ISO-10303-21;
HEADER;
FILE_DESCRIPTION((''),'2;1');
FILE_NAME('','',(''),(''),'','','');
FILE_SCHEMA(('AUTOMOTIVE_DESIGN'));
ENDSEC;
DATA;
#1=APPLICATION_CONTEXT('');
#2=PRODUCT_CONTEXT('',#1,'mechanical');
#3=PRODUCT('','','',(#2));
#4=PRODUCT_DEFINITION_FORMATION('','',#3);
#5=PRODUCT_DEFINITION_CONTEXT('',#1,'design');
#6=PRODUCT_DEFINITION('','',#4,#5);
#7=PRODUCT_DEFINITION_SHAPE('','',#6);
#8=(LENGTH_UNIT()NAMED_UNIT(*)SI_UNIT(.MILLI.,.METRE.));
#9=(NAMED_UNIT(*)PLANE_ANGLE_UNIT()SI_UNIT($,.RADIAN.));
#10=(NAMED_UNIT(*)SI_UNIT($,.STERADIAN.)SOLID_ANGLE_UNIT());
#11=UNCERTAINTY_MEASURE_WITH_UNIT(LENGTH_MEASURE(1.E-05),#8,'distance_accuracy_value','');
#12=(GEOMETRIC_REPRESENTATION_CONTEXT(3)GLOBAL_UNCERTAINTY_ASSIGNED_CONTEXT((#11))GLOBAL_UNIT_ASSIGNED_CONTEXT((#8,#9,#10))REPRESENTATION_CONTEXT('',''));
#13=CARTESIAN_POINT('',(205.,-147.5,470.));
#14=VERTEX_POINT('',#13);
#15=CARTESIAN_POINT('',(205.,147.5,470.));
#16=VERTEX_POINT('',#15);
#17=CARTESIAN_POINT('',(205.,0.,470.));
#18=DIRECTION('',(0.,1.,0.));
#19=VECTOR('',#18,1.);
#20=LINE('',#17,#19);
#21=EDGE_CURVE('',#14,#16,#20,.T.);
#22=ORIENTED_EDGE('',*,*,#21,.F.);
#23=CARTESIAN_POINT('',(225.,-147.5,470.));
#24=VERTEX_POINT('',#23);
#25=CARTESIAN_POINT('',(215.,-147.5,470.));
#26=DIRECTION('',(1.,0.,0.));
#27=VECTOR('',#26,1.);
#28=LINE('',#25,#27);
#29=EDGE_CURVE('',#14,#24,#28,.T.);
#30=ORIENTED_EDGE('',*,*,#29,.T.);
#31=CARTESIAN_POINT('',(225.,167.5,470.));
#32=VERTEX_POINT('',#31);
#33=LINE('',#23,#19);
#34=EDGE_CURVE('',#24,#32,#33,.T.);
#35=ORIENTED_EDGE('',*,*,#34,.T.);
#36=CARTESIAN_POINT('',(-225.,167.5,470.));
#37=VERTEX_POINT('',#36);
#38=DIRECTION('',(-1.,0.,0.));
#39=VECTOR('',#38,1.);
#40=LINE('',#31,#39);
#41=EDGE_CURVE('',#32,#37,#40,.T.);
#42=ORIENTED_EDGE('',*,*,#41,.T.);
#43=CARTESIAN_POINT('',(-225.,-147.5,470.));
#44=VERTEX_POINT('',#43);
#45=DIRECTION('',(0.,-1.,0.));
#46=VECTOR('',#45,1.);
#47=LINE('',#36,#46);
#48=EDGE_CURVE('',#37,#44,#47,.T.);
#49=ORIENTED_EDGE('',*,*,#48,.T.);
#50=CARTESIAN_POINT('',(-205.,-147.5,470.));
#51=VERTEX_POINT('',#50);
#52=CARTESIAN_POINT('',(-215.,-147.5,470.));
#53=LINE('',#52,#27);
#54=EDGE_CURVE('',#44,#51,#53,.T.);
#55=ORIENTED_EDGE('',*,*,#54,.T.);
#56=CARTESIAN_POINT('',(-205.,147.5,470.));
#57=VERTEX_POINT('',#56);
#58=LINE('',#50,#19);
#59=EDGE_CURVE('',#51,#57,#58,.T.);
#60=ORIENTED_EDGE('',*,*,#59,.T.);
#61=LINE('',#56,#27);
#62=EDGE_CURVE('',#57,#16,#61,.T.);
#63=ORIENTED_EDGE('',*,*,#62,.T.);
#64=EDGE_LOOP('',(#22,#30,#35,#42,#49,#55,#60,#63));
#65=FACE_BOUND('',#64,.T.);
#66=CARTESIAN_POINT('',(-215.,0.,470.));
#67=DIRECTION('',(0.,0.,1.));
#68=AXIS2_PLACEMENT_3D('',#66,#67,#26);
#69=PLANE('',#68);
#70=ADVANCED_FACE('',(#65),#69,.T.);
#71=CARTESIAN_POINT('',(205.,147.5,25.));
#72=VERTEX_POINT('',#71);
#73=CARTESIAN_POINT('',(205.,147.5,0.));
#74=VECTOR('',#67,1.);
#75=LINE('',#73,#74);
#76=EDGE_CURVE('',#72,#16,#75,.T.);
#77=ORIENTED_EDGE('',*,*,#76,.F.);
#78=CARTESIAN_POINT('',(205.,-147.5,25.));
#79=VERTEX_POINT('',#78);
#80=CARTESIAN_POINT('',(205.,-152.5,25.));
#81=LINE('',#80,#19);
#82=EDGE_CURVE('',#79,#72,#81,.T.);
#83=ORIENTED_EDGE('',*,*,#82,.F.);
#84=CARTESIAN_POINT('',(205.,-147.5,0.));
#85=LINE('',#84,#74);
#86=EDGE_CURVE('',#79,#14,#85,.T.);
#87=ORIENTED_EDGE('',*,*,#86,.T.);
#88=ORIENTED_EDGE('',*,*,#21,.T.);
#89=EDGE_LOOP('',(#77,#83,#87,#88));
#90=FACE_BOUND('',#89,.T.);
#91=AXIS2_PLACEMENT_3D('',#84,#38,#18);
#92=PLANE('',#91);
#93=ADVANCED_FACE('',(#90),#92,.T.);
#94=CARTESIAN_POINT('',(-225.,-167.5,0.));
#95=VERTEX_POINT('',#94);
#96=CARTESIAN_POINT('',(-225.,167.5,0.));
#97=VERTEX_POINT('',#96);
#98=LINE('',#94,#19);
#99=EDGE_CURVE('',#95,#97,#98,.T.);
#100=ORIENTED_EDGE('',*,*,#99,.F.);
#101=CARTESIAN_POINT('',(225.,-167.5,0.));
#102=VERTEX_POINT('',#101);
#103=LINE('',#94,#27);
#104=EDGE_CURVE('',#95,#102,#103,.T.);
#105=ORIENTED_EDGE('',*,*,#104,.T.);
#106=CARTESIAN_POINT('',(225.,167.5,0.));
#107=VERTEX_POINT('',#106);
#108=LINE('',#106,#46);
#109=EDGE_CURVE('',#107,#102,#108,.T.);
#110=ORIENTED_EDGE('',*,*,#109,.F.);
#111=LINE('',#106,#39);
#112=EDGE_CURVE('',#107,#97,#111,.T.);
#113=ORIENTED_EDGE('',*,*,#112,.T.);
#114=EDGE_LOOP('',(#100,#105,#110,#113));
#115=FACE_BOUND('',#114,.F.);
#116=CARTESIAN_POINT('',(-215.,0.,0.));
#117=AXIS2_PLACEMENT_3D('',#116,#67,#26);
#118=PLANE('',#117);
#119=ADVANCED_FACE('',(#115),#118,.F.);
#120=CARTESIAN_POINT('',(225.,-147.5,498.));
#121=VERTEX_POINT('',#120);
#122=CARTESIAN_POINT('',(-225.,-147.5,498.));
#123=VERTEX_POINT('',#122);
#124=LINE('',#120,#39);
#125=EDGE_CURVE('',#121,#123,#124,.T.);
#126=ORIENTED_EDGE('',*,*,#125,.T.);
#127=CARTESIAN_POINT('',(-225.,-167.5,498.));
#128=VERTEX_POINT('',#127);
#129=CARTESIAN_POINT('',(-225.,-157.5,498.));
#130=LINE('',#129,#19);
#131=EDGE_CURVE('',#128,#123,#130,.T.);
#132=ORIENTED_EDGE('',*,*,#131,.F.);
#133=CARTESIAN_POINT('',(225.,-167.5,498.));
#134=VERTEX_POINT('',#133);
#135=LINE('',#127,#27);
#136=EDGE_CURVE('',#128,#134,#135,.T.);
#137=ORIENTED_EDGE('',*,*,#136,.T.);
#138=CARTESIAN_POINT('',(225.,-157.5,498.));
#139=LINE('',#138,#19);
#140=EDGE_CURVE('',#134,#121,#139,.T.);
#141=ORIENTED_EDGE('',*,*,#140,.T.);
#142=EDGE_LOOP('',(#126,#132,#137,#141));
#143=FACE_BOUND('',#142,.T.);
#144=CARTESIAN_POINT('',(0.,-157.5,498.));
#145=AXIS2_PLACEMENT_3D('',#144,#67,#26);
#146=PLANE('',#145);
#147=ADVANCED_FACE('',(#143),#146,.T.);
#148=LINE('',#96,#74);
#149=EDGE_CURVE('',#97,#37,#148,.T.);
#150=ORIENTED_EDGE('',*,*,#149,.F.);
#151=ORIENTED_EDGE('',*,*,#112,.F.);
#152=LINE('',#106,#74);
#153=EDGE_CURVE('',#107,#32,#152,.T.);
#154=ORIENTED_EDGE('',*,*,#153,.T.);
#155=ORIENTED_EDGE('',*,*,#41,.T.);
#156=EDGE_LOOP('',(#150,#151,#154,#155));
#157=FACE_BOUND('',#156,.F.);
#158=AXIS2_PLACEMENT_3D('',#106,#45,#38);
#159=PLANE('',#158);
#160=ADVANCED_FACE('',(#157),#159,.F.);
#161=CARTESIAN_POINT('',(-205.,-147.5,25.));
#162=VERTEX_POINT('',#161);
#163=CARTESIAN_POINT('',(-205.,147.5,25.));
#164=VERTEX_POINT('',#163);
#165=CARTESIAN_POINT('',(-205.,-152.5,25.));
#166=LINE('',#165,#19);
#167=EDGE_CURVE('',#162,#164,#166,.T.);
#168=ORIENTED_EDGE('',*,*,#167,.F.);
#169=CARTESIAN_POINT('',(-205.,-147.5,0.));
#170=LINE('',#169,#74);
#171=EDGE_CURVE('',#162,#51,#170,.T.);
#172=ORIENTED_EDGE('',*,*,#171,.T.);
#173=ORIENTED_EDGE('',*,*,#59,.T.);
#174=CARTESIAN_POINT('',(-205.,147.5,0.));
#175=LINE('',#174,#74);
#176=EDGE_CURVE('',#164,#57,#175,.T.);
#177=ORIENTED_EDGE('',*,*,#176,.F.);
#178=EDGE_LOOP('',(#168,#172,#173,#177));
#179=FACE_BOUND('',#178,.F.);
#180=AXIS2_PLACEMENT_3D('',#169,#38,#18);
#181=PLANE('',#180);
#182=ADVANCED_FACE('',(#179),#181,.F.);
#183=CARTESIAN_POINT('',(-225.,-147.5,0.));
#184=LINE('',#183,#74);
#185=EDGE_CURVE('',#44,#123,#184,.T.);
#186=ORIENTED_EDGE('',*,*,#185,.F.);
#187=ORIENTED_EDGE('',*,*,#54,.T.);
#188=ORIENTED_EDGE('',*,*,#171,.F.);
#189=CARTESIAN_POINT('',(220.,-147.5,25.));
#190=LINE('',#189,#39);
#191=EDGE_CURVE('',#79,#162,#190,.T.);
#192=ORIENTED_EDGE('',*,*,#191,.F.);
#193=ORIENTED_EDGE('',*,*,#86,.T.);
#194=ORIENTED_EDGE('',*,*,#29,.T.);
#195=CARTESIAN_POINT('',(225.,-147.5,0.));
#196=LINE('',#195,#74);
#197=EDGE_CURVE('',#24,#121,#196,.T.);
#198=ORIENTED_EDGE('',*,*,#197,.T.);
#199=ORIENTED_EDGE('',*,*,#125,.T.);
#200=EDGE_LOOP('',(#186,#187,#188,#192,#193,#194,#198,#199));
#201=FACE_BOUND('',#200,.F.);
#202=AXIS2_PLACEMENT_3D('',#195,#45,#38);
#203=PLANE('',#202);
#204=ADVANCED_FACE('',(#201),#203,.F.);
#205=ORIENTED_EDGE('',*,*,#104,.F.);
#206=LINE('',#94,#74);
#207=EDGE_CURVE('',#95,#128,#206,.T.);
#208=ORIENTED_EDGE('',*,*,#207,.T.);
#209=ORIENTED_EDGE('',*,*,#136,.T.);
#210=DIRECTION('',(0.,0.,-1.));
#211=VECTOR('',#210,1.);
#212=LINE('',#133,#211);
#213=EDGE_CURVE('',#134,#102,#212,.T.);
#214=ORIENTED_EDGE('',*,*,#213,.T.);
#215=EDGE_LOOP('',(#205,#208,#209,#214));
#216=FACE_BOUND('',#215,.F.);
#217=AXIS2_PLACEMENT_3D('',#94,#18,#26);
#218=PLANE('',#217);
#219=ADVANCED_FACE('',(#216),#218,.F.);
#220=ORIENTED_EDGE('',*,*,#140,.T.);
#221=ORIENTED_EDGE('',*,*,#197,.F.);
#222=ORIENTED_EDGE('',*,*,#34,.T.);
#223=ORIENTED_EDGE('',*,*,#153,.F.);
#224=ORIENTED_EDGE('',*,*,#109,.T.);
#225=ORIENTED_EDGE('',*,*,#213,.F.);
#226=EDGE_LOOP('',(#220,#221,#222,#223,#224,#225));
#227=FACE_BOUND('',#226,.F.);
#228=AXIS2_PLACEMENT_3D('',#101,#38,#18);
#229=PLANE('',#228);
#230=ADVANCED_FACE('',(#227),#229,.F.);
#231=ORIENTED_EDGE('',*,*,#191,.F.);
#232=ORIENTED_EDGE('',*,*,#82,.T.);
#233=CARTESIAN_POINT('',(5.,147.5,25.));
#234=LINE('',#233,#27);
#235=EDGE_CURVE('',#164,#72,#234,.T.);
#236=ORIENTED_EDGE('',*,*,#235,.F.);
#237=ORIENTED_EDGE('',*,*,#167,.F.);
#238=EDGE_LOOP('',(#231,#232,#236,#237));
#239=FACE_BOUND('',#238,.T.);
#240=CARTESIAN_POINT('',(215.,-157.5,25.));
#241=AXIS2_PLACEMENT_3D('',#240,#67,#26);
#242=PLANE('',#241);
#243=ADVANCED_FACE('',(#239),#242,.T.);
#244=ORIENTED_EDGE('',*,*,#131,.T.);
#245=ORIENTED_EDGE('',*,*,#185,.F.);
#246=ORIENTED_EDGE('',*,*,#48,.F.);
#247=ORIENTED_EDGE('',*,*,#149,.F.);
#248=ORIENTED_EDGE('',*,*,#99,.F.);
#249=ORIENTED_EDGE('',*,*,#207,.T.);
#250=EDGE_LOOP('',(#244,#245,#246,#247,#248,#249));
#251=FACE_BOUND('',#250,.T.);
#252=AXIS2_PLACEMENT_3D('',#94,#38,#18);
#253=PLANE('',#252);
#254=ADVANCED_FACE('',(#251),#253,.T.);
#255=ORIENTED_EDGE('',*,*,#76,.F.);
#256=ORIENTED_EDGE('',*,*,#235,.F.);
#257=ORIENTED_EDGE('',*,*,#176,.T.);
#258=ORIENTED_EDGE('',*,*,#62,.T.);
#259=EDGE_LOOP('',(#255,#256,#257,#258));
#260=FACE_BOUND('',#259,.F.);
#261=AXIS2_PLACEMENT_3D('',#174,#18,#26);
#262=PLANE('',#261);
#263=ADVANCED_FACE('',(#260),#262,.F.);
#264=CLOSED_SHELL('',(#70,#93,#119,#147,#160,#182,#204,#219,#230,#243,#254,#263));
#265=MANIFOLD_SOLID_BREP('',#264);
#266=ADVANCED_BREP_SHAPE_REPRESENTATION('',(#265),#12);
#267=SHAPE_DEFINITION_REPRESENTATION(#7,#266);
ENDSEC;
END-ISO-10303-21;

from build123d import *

# Parameters (mm, degrees)
F0_W     = 410
F0_H     = 20
F0_W_2   = 20
F1_DEPTH = 498
F0_H_2   = 295
F2_DEPTH = 470
F3_DEPTH = 25


with BuildPart() as f1:
    # F0 (on Top) → F1 (new body)
    with BuildSketch(Plane.XY):
        with Locations((0, -157.5)):
            Rectangle(F0_W, F0_H)
        with Locations((-215, -157.5)):
            Rectangle(F0_W_2, F0_H)
        with Locations((215, -157.5)):
            Rectangle(F0_W_2, F0_H)
    extrude(amount=F1_DEPTH)

    # F0 (on Top) → F2 (join)
    with BuildSketch(Plane.XY):
        with Locations((-215, 0)):
            Rectangle(F0_W_2, F0_H_2)
        with Locations((-215, 157.5)):
            Rectangle(F0_W_2, F0_H)
        with Locations((0, 157.5)):
            Rectangle(F0_W, F0_H)
        with Locations((215, 157.5)):
            Rectangle(F0_W_2, F0_H)
        with Locations((215, 0)):
            Rectangle(F0_W_2, F0_H_2)
    extrude(amount=F2_DEPTH)

    # F0 (on Top) → F3 (join)
    with BuildSketch(Plane.XY):
        with Locations((215, -157.5)):
            Rectangle(F0_W_2, F0_H)
        with Locations((0, -157.5)):
            Rectangle(F0_W, F0_H)
        with Locations((215, 0)):
            Rectangle(F0_W_2, F0_H_2)
        with Locations((-215, -157.5)):
            Rectangle(F0_W_2, F0_H)
        with Locations((215, 157.5)):
            Rectangle(F0_W_2, F0_H)
        with Locations((-215, 0)):
            Rectangle(F0_W_2, F0_H_2)
        with Locations((0, 157.5)):
            Rectangle(F0_W, F0_H)
        with Locations((-215, 157.5)):
            Rectangle(F0_W_2, F0_H)
        Rectangle(F0_W, F0_H_2)
    extrude(amount=F3_DEPTH)


solid = f1.part
